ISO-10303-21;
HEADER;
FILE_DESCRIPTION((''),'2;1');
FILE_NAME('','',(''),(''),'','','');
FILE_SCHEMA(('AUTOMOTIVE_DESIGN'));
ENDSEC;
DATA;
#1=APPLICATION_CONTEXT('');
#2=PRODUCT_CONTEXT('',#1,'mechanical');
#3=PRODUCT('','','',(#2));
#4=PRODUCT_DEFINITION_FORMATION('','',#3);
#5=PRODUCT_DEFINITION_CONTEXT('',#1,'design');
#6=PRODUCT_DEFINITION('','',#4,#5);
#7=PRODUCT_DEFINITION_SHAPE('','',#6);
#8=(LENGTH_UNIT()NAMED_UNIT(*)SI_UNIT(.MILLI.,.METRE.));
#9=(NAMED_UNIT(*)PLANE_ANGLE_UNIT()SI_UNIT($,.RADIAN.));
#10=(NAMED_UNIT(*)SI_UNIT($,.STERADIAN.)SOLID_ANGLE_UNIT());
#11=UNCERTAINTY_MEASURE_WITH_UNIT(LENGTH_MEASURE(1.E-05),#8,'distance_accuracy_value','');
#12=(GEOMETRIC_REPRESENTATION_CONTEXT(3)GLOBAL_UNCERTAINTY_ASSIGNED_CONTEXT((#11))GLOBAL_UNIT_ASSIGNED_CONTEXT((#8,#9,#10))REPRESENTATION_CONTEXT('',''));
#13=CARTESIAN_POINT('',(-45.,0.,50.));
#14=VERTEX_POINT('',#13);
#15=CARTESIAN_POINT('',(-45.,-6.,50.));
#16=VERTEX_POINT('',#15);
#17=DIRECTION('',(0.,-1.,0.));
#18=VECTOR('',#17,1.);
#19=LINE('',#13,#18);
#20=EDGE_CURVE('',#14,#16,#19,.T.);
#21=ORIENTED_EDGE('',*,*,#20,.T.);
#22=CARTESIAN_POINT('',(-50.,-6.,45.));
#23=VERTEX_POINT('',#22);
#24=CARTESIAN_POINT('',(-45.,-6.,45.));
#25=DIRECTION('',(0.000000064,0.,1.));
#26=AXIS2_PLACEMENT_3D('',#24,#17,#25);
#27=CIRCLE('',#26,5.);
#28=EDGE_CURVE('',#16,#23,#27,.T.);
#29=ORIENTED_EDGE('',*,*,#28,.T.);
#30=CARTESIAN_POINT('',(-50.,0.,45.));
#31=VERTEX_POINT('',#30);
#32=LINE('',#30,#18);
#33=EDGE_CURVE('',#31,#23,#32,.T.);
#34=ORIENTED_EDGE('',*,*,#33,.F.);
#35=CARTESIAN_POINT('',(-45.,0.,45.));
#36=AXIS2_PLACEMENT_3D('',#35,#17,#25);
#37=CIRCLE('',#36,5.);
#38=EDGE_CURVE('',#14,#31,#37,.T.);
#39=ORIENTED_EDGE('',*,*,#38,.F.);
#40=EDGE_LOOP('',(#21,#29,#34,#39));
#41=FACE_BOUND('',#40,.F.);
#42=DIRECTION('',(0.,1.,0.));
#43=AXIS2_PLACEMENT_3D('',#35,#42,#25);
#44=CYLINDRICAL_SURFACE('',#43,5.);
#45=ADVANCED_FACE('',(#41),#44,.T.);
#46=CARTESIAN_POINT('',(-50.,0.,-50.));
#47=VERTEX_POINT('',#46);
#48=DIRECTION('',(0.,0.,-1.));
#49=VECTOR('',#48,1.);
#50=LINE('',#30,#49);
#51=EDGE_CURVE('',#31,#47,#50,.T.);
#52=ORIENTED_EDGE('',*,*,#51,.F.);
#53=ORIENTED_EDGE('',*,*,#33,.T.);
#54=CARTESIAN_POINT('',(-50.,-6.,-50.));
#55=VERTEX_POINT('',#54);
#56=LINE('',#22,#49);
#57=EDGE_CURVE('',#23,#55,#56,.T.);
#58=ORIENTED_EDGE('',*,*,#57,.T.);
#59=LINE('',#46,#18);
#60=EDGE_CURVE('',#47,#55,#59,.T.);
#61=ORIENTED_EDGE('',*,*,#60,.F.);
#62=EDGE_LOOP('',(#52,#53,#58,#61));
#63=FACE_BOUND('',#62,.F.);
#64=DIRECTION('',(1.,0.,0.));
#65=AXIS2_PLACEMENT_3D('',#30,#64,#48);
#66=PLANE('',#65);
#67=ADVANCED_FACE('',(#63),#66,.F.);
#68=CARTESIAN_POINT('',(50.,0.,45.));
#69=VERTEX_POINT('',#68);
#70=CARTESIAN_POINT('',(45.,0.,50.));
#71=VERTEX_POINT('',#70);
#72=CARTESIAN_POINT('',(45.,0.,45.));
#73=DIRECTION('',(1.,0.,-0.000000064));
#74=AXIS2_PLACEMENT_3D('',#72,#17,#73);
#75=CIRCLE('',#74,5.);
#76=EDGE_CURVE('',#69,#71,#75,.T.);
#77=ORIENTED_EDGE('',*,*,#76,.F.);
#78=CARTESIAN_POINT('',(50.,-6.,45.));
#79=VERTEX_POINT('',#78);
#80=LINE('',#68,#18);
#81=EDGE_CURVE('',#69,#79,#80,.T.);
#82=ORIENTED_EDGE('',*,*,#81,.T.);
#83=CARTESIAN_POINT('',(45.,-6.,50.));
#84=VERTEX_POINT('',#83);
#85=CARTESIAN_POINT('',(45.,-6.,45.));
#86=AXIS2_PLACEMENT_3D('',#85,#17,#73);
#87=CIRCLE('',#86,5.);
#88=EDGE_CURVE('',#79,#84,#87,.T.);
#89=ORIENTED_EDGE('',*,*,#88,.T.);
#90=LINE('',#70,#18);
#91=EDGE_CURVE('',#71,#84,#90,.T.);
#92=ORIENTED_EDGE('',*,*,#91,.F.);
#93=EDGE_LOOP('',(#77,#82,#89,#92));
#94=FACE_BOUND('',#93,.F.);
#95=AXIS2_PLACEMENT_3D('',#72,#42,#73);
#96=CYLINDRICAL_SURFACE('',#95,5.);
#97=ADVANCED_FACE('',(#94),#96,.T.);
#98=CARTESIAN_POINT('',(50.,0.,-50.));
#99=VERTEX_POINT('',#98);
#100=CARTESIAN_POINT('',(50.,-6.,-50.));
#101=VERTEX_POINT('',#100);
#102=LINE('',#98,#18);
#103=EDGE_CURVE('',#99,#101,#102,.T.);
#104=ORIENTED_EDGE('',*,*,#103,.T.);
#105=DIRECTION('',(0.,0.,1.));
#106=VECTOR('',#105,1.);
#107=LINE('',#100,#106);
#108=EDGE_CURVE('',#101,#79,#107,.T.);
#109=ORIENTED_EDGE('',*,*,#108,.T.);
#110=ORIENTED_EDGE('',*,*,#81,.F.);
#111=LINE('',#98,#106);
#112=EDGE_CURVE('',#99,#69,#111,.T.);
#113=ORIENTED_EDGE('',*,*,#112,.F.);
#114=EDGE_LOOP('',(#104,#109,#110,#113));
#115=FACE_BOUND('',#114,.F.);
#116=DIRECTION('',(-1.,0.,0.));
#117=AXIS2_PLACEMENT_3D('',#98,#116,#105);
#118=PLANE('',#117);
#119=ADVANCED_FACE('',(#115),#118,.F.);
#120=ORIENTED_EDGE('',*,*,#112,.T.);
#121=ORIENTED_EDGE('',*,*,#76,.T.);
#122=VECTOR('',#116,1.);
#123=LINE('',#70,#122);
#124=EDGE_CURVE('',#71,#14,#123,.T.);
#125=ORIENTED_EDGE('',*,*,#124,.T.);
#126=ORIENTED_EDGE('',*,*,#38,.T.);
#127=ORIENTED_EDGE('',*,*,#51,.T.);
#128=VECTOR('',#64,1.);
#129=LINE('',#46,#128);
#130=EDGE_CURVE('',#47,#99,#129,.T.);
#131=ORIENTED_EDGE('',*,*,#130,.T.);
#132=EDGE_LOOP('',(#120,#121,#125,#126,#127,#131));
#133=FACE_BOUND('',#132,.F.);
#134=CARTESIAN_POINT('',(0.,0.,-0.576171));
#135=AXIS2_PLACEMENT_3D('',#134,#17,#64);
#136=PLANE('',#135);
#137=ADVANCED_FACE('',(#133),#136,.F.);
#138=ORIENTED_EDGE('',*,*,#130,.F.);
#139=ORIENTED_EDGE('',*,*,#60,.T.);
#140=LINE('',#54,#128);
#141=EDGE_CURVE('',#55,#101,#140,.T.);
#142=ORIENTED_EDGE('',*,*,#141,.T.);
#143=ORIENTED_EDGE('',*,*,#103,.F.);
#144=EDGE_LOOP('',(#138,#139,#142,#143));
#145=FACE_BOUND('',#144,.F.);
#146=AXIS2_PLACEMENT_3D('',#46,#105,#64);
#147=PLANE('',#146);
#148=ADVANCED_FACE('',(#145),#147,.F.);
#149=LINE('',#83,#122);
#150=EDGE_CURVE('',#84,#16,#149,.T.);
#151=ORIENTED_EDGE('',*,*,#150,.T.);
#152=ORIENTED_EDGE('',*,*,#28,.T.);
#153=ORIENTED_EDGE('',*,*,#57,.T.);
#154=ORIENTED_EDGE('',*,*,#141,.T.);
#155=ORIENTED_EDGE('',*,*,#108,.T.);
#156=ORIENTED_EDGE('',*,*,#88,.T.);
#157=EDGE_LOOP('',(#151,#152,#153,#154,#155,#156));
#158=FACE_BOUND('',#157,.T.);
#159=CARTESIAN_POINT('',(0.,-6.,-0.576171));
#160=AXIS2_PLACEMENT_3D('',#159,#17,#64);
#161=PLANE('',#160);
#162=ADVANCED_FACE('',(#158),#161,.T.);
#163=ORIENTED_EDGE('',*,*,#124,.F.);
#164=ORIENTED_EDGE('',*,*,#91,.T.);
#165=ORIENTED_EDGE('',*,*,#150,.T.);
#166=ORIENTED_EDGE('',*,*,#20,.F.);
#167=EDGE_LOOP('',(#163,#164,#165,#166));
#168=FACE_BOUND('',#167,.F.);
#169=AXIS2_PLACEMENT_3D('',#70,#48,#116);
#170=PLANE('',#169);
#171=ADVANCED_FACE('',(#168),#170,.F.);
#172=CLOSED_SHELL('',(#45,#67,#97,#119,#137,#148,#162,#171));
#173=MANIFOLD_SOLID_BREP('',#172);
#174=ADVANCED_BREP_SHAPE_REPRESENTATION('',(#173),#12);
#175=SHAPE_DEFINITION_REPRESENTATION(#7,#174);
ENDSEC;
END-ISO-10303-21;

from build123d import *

# Parameters (mm, degrees)
F1_DEPTH = 6


with BuildPart() as f1:
    # F0 (on Front) → F1 (new body)
    with BuildSketch(Plane.XZ):
        with BuildLine():
            ThreePointArc((50, 45), (48.535534, 48.535534), (45, 50))
            Line((45, 50), (-2, 50))
            Line((-2, 50), (-45, 50))
            ThreePointArc((-45, 50), (-48.535534, 48.535534), (-50, 45))
            Line((-50, 45), (-50, -1.5))
            Line((-50, -1.5), (-50, -2.5))
            Line((-50, -2.5), (-50, -50))
            Line((-50, -50), (50, -50))
            Line((50, -50), (50, -2.5))
            Line((50, -2.5), (50, -1.5))
            Line((50, -1.5), (50, 45))
        make_face()
    extrude(amount=F1_DEPTH)


solid = f1.part
